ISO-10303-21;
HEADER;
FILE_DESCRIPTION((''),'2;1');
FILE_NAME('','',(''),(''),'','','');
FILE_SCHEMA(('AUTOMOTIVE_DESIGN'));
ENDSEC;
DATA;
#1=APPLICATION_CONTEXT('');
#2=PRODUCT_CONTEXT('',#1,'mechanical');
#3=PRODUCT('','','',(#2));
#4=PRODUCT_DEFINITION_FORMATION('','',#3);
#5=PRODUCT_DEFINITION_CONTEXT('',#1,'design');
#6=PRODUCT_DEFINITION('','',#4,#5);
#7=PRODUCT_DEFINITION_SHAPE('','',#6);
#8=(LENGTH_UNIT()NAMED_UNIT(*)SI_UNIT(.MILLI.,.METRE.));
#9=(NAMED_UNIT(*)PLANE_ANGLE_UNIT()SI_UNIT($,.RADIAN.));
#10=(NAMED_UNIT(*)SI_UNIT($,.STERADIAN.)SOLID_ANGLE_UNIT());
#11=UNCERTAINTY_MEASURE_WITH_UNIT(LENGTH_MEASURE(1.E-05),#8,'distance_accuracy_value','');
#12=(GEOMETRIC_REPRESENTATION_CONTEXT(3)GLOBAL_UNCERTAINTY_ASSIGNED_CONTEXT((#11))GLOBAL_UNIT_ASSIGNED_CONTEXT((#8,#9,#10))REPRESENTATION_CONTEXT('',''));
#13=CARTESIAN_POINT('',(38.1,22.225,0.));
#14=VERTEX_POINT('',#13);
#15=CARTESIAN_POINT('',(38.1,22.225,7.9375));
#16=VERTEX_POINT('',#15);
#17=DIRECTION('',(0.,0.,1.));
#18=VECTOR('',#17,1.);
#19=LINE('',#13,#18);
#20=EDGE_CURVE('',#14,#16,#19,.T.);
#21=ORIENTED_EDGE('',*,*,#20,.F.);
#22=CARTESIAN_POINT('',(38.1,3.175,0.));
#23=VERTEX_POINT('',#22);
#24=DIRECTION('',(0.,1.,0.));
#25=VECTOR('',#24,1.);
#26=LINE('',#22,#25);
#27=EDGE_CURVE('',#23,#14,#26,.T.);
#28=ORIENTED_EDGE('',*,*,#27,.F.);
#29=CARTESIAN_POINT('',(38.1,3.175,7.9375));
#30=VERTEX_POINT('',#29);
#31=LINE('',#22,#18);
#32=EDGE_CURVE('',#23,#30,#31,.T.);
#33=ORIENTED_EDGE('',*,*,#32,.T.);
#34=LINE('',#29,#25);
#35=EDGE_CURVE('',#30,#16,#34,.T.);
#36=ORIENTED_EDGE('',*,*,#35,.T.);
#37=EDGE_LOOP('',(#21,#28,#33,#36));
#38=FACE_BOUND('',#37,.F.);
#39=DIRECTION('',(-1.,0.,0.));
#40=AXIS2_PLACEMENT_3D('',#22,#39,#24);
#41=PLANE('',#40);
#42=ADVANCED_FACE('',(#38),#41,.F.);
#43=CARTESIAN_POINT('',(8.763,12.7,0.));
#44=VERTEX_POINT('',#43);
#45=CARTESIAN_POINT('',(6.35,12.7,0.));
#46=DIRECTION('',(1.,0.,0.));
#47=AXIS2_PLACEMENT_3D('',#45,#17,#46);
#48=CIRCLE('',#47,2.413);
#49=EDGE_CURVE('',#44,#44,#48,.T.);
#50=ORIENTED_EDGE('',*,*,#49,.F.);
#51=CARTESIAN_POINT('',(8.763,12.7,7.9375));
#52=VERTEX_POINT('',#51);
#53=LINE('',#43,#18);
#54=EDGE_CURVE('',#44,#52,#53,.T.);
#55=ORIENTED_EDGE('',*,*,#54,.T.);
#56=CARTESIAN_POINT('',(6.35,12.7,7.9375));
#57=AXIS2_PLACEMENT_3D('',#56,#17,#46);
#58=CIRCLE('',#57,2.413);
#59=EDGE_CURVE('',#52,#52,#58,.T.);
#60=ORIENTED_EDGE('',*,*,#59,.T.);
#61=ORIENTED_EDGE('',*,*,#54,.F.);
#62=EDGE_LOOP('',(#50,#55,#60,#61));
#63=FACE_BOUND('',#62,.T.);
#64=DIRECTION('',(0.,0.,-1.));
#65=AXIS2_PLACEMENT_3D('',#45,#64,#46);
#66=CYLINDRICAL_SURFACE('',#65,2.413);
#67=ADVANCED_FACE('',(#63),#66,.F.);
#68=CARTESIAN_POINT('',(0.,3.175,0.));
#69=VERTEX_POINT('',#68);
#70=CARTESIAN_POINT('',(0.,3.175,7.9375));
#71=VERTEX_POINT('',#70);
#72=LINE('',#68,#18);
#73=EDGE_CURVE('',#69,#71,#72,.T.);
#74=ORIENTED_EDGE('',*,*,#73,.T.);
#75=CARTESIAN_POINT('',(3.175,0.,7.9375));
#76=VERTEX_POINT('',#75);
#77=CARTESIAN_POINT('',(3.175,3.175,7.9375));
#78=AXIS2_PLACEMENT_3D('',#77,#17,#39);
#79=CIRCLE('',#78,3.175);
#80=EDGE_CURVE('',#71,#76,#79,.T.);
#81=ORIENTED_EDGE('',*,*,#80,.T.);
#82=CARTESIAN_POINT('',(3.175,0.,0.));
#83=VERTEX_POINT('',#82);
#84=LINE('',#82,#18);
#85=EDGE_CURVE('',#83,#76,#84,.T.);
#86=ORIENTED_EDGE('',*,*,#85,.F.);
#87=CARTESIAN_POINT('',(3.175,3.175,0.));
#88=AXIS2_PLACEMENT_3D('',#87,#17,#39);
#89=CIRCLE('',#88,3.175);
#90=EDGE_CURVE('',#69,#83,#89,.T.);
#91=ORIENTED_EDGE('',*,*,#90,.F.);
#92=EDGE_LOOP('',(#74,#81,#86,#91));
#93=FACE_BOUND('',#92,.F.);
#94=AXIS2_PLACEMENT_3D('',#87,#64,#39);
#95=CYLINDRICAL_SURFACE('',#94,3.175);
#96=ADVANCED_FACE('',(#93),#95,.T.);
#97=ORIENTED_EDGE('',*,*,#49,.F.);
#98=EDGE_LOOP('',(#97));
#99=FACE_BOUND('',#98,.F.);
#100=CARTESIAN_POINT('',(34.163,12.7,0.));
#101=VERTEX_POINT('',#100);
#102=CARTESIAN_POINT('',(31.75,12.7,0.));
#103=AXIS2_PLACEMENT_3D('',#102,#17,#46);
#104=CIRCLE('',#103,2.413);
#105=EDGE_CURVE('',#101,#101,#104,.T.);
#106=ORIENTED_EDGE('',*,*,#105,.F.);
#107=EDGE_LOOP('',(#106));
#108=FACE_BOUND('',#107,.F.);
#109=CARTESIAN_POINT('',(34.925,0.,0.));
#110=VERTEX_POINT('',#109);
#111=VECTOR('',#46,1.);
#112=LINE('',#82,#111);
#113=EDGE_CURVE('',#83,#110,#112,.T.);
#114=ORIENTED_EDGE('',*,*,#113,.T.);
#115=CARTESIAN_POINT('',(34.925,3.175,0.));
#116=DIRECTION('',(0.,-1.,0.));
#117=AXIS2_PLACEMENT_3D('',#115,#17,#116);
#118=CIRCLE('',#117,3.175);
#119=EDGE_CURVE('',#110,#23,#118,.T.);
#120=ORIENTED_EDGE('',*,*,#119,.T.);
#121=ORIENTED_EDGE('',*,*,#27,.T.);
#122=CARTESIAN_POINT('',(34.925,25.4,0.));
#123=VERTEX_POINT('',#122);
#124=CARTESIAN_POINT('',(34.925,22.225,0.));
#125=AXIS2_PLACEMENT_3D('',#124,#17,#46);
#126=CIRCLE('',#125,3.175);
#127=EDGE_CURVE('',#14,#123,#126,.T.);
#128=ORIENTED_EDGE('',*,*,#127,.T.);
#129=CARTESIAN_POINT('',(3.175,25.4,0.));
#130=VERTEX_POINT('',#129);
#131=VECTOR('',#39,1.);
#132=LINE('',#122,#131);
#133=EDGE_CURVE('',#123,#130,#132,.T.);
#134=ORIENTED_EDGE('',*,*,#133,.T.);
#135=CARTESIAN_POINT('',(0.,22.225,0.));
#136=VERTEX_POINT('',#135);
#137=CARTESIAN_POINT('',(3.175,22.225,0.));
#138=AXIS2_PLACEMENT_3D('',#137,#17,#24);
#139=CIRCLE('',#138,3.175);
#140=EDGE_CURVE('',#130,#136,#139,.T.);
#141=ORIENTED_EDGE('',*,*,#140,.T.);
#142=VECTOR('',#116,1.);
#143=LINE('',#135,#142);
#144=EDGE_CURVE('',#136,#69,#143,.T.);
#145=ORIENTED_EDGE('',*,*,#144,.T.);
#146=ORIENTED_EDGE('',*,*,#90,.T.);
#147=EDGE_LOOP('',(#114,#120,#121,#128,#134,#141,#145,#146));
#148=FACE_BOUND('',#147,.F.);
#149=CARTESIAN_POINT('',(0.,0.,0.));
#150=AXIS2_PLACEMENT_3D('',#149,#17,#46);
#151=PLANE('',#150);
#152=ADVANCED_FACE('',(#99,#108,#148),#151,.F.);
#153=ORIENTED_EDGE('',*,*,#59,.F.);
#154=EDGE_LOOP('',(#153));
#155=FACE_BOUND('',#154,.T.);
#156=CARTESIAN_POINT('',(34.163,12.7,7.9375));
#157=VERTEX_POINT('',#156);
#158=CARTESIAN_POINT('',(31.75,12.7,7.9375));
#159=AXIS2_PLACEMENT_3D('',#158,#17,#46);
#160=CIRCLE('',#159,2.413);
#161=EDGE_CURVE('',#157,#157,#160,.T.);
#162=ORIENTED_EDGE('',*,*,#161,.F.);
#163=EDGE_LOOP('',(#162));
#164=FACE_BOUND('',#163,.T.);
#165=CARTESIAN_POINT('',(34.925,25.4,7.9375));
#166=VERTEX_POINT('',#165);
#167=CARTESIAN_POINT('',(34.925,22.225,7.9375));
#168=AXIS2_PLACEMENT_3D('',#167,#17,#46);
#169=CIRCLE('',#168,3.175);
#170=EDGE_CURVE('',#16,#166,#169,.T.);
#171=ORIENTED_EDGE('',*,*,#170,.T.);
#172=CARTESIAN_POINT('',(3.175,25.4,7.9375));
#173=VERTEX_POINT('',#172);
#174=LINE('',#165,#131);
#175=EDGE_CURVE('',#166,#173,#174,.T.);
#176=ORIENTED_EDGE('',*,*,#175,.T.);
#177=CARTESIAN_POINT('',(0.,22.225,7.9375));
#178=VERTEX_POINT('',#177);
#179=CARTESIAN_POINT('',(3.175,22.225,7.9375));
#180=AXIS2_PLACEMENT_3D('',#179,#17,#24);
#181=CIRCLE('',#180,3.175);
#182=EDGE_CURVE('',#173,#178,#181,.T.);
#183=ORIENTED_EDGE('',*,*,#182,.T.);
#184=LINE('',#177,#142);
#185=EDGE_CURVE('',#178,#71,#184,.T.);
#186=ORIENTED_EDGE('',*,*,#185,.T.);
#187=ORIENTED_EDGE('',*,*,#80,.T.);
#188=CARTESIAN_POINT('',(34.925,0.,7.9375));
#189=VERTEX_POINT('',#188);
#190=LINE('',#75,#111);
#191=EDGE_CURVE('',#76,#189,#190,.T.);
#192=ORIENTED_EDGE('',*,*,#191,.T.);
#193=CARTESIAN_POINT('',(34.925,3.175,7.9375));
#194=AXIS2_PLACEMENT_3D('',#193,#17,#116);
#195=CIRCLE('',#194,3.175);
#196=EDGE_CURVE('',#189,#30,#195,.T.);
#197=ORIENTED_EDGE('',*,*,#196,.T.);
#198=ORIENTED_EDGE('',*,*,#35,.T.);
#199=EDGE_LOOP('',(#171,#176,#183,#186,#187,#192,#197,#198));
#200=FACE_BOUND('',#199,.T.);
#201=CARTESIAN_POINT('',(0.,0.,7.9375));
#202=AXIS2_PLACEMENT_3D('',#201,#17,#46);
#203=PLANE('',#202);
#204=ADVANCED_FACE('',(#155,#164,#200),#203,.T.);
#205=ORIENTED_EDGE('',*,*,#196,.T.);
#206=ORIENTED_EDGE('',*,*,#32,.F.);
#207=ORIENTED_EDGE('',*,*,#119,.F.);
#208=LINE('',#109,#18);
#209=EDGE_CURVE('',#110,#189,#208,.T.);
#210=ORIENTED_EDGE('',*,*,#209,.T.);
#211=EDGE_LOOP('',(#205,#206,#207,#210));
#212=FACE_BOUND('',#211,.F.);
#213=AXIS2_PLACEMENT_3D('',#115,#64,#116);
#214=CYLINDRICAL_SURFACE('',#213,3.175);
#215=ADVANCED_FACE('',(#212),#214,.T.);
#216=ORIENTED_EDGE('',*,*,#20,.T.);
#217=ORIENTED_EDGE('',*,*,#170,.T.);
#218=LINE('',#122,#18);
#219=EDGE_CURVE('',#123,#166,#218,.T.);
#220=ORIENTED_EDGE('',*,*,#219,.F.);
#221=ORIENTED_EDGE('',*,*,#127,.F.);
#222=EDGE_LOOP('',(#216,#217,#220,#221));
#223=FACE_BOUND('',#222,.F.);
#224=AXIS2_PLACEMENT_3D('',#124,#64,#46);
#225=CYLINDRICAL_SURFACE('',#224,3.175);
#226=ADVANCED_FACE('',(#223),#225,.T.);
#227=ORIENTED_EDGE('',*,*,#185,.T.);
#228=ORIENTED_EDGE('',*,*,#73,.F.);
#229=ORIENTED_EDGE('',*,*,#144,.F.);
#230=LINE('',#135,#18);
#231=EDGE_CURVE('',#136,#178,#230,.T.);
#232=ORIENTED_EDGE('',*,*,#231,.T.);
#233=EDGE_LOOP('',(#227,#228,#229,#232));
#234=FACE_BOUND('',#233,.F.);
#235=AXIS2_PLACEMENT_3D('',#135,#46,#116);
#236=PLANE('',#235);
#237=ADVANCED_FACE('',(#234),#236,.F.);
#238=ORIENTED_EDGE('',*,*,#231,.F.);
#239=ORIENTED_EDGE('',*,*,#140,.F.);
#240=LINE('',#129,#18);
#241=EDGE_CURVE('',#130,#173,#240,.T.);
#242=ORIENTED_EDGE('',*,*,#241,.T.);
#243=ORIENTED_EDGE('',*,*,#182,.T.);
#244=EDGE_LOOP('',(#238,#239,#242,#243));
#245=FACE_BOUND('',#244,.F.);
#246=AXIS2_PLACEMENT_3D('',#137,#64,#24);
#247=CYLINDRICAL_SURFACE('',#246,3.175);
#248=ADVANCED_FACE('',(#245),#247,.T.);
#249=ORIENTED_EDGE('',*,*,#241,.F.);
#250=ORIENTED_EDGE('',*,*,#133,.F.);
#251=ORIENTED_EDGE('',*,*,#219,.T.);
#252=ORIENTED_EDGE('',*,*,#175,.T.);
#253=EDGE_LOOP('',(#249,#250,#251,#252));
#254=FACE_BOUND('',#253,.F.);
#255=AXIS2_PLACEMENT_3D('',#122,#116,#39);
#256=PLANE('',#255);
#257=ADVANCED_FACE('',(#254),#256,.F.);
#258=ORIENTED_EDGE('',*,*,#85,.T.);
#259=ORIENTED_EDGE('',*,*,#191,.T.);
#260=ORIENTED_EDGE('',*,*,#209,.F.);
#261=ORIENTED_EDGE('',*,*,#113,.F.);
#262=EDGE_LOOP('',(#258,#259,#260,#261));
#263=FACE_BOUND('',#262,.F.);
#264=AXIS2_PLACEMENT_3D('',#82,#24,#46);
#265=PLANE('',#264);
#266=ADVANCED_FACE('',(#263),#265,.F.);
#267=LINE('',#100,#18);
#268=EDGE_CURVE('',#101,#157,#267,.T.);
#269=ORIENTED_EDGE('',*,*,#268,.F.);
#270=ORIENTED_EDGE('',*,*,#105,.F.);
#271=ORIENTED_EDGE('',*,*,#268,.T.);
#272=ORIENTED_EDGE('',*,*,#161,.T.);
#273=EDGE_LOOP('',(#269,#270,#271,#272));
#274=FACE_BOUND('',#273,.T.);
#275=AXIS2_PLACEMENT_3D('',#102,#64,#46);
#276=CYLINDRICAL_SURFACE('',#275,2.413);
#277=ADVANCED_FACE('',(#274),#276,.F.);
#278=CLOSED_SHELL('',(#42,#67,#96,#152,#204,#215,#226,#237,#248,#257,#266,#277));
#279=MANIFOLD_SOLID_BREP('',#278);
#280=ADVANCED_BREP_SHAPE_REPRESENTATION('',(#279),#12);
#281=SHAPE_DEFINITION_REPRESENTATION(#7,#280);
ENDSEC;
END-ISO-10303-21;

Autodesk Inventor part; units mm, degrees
ref_plane "YZ Plane" through (0, 0, 0) normal (1, 0, 0) x (0, 1, 0)
ref_plane "XZ Plane" through (0, 0, 0) normal (0, 1, 0) x (-1, 0, 0)
ref_plane "XY Plane" through (0, 0, 0) normal (0, 0, 1) x (1, 0, 0)
sketch "Sketch1" plane through (0, 0, 0) normal (0, 0, 1) x (1, 0, 0)
  line L0 (3.175, 0) -> (34.925, 0)
  line L1 (38.1, 3.175) -> (38.1, 22.225)
  line L2 (34.925, 25.4) -> (3.175, 25.4)
  line L3 (0, 22.225) -> (0, 3.175)
  circle A0 centre (6.35, 12.7) radius 2.413
  circle A1 centre (31.75, 12.7) radius 2.413
  line L4 (0, 12.7) -> (38.1, 12.7) construction
  arc A2 (3.175, 25.4) -> (0, 22.225) centre (3.175, 22.225) ccw
  arc A3 (38.1, 22.225) -> (34.925, 25.4) centre (34.925, 22.225) ccw
  arc A4 (34.925, 0) -> (38.1, 3.175) centre (34.925, 3.175) ccw
  arc A5 (0, 3.175) -> (3.175, 0) centre (3.175, 3.175) ccw
  point P0 (0, 0)
  point P1 (38.1, 25.4)
  point P2 (38.1, 0)
  point P3 (0, 25.4)
  dimension "d0" = 38.1
  dimension "d1" = 25.4
  dimension "d2" = 4.826
  dimension "d3" = 6.35
  dimension "d7" = 25.4
  dimension "d20" = 3.175
extrude "Extrusion1" add sketch "Sketch1" along normal blind 7.9375
properties part number "Bearing Mount Spacer 1-8in" material "ABS Plastic"
